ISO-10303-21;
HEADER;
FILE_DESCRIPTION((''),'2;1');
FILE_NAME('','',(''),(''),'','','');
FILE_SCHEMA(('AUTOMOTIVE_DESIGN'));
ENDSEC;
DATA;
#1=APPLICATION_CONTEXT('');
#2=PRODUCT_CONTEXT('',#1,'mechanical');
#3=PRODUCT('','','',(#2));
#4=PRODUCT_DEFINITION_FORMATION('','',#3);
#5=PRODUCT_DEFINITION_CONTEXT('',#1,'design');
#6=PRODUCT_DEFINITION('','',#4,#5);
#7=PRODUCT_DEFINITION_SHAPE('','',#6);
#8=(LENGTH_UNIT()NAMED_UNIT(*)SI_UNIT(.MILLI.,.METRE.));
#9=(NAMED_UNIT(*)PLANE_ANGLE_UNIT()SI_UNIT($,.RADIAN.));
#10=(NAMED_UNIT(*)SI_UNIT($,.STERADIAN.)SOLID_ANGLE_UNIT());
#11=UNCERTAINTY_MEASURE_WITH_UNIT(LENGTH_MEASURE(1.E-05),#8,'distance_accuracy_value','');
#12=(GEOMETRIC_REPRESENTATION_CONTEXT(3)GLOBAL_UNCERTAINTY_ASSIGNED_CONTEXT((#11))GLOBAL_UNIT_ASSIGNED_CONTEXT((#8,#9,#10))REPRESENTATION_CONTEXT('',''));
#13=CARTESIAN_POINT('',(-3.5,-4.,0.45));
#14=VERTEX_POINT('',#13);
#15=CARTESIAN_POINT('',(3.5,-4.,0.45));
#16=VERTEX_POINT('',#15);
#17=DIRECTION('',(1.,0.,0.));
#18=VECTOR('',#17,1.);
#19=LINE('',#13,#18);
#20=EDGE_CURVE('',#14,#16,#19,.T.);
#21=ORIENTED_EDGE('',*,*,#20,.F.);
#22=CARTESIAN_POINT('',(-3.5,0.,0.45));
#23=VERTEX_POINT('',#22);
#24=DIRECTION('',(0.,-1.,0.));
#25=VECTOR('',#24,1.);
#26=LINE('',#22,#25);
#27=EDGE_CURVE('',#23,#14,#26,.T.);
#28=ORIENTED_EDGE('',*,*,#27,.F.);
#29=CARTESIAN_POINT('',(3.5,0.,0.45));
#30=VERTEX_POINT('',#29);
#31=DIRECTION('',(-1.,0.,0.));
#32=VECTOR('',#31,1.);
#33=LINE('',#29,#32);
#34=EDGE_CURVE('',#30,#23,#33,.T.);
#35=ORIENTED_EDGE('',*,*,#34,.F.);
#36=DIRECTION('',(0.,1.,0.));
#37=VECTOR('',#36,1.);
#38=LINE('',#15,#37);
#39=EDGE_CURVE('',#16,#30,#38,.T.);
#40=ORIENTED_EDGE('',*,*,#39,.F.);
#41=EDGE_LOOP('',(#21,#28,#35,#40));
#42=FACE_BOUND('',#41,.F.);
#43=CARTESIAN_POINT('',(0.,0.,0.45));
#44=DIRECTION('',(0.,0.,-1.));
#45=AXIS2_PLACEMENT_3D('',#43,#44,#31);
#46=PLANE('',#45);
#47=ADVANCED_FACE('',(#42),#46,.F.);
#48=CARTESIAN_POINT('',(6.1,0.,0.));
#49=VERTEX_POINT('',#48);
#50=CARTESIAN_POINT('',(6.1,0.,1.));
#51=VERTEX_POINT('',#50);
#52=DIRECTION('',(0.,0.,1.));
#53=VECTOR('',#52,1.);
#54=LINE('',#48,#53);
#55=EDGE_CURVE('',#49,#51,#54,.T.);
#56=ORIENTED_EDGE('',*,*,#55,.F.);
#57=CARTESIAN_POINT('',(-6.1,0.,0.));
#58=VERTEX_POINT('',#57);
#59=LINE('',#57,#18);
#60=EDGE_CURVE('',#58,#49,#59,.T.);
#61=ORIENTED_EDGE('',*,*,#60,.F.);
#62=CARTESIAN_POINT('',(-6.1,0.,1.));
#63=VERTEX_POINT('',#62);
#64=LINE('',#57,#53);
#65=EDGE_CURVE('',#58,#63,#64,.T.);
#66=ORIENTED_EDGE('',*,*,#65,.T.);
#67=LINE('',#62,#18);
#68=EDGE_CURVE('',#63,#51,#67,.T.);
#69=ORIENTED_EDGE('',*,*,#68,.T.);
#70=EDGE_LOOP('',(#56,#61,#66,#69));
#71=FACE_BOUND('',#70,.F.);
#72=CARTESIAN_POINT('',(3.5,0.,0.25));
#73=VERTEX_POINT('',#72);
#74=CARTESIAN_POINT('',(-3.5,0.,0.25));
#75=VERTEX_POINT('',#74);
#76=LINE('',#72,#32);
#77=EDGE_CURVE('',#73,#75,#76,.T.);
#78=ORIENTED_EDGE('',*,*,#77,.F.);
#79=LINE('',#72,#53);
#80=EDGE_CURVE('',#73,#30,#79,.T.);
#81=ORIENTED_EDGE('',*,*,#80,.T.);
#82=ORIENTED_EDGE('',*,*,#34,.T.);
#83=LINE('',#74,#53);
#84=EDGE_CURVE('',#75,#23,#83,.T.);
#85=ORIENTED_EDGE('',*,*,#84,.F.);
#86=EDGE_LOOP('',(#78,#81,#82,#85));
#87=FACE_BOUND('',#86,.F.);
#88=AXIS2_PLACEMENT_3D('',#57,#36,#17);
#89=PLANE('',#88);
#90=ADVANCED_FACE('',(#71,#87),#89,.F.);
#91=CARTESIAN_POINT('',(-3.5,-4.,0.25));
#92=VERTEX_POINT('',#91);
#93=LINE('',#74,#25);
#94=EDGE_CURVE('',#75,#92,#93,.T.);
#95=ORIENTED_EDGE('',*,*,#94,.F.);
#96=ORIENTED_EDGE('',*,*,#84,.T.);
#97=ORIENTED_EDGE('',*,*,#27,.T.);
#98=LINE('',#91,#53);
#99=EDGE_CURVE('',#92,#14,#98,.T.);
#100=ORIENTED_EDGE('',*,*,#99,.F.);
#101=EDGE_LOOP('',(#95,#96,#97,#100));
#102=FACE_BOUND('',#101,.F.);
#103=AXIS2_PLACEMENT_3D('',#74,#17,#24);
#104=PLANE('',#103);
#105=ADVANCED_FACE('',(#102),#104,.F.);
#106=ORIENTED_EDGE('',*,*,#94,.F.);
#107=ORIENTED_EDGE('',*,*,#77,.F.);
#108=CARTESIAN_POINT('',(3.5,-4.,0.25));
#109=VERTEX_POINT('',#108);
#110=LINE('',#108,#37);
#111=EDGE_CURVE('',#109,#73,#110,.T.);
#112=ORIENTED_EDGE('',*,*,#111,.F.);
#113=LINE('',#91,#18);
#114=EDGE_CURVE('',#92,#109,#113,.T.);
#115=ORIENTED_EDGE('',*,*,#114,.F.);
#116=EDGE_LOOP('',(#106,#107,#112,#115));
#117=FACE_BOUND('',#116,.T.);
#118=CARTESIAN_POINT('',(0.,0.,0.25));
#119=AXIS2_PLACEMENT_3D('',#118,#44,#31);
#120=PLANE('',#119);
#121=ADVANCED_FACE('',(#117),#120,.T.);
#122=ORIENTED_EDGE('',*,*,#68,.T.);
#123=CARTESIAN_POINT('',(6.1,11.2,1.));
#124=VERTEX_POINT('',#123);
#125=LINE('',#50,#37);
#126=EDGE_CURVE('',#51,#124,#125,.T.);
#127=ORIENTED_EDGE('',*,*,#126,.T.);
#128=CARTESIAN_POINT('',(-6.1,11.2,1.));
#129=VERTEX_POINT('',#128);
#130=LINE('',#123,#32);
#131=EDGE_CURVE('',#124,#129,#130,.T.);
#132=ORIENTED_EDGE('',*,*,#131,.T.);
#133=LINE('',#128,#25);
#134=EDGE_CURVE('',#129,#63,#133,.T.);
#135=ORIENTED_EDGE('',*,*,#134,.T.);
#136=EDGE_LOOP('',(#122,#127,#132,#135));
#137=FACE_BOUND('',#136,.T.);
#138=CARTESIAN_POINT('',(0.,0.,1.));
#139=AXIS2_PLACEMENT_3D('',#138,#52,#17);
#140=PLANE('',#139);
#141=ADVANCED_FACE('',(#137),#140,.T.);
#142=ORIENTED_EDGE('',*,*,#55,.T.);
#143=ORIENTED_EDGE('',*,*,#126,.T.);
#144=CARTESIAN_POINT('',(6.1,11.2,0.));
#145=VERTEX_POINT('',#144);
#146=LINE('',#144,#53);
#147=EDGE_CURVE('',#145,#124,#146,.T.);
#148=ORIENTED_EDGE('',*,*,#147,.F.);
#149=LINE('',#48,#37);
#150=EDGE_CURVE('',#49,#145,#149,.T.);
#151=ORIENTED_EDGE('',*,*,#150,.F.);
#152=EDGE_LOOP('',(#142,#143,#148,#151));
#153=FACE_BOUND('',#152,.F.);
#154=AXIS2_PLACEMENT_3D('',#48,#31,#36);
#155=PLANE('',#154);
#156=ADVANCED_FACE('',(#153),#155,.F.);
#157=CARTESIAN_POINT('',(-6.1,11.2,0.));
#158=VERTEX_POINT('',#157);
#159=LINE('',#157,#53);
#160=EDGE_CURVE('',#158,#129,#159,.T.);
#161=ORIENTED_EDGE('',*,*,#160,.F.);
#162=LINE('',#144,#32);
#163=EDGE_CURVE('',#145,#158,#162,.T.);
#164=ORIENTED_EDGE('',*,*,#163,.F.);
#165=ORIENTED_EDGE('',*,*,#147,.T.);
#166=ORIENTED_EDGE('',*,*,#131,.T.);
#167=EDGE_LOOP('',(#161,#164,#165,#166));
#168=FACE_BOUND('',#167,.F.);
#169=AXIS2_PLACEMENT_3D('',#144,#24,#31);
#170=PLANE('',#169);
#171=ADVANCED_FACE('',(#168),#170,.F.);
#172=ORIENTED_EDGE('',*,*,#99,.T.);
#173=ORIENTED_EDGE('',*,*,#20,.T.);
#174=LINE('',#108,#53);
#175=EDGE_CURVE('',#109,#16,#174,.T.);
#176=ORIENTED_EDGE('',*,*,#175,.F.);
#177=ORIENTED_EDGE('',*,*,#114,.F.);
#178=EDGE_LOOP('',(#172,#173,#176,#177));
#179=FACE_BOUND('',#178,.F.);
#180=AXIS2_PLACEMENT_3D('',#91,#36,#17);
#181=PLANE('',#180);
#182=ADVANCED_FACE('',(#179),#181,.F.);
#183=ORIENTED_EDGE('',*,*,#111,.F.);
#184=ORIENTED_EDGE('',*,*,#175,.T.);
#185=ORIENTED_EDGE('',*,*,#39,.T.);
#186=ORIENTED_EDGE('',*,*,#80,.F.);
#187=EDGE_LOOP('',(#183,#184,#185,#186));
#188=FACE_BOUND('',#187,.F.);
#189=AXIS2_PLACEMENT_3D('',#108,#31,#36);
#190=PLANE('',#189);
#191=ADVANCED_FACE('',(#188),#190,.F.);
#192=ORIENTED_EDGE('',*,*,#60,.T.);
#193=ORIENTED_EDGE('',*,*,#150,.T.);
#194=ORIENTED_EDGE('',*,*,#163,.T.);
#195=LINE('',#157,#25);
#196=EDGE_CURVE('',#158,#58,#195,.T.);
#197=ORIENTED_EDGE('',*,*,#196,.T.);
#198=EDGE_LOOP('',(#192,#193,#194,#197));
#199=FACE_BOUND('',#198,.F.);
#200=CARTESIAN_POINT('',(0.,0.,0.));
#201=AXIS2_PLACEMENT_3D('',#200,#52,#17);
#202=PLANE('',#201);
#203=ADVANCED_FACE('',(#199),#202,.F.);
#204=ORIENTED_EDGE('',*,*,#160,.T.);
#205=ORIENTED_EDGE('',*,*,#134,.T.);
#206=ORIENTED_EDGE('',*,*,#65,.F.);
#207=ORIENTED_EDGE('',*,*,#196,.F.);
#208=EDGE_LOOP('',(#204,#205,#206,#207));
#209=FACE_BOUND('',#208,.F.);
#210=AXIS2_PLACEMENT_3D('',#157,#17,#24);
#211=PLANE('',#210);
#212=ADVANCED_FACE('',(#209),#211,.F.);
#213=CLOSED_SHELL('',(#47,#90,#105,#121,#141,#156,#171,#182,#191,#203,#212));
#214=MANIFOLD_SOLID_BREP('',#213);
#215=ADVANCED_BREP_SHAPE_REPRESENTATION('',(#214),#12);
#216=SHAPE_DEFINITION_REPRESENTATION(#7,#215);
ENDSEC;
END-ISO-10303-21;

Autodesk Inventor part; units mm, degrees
ref_plane "YZ Plane" through (0, 0, 0) normal (1, 0, 0) x (0, 1, 0)
ref_plane "XZ Plane" through (0, 0, 0) normal (0, 1, 0) x (-1, 0, 0)
sketch "Sketch2" plane through (0, 0, 0) normal (0, 0, 1) x (1, 0, 0)
  line L0 (-6.1, 0) -> (6.1, 0)
  line L1 (6.1, 0) -> (6.1, 11.2)
  line L2 (6.1, 11.2) -> (-6.1, 11.2)
  line L3 (-6.1, 11.2) -> (-6.1, 0)
  point P0 (0, 0)
  point P1 (0, 0)
  dimension "d0" = 12.2
  dimension "d1" = 11.2
extrude "Extrusion1" add sketch "Sketch2" along normal blind 1
ref_plane "Work Plane1" through (0, 0, 0.25) normal (0, 0, -1) x (-1, 0, 0)
sketch "Sketch3" plane through (0, 0, 0.25) normal (0, 0, -1) x (-1, 0, 0)
  line L0 (-3.5, 0) -> (3.5, 0)
  line L1 (3.5, 0) -> (3.5, -4)
  line L2 (3.5, -4) -> (-3.5, -4)
  line L3 (-3.5, -4) -> (-3.5, 0)
  line L4 (6.1, 0) -> (-6.1, 0) projected
  point P0 (0, 0)
  point P1 (0, 0)
  dimension "d5" = 4
  dimension "d6" = 7
extrude "Extrusion2" add sketch "Sketch3" against normal blind 0.2
properties part number "0_42_oled"
